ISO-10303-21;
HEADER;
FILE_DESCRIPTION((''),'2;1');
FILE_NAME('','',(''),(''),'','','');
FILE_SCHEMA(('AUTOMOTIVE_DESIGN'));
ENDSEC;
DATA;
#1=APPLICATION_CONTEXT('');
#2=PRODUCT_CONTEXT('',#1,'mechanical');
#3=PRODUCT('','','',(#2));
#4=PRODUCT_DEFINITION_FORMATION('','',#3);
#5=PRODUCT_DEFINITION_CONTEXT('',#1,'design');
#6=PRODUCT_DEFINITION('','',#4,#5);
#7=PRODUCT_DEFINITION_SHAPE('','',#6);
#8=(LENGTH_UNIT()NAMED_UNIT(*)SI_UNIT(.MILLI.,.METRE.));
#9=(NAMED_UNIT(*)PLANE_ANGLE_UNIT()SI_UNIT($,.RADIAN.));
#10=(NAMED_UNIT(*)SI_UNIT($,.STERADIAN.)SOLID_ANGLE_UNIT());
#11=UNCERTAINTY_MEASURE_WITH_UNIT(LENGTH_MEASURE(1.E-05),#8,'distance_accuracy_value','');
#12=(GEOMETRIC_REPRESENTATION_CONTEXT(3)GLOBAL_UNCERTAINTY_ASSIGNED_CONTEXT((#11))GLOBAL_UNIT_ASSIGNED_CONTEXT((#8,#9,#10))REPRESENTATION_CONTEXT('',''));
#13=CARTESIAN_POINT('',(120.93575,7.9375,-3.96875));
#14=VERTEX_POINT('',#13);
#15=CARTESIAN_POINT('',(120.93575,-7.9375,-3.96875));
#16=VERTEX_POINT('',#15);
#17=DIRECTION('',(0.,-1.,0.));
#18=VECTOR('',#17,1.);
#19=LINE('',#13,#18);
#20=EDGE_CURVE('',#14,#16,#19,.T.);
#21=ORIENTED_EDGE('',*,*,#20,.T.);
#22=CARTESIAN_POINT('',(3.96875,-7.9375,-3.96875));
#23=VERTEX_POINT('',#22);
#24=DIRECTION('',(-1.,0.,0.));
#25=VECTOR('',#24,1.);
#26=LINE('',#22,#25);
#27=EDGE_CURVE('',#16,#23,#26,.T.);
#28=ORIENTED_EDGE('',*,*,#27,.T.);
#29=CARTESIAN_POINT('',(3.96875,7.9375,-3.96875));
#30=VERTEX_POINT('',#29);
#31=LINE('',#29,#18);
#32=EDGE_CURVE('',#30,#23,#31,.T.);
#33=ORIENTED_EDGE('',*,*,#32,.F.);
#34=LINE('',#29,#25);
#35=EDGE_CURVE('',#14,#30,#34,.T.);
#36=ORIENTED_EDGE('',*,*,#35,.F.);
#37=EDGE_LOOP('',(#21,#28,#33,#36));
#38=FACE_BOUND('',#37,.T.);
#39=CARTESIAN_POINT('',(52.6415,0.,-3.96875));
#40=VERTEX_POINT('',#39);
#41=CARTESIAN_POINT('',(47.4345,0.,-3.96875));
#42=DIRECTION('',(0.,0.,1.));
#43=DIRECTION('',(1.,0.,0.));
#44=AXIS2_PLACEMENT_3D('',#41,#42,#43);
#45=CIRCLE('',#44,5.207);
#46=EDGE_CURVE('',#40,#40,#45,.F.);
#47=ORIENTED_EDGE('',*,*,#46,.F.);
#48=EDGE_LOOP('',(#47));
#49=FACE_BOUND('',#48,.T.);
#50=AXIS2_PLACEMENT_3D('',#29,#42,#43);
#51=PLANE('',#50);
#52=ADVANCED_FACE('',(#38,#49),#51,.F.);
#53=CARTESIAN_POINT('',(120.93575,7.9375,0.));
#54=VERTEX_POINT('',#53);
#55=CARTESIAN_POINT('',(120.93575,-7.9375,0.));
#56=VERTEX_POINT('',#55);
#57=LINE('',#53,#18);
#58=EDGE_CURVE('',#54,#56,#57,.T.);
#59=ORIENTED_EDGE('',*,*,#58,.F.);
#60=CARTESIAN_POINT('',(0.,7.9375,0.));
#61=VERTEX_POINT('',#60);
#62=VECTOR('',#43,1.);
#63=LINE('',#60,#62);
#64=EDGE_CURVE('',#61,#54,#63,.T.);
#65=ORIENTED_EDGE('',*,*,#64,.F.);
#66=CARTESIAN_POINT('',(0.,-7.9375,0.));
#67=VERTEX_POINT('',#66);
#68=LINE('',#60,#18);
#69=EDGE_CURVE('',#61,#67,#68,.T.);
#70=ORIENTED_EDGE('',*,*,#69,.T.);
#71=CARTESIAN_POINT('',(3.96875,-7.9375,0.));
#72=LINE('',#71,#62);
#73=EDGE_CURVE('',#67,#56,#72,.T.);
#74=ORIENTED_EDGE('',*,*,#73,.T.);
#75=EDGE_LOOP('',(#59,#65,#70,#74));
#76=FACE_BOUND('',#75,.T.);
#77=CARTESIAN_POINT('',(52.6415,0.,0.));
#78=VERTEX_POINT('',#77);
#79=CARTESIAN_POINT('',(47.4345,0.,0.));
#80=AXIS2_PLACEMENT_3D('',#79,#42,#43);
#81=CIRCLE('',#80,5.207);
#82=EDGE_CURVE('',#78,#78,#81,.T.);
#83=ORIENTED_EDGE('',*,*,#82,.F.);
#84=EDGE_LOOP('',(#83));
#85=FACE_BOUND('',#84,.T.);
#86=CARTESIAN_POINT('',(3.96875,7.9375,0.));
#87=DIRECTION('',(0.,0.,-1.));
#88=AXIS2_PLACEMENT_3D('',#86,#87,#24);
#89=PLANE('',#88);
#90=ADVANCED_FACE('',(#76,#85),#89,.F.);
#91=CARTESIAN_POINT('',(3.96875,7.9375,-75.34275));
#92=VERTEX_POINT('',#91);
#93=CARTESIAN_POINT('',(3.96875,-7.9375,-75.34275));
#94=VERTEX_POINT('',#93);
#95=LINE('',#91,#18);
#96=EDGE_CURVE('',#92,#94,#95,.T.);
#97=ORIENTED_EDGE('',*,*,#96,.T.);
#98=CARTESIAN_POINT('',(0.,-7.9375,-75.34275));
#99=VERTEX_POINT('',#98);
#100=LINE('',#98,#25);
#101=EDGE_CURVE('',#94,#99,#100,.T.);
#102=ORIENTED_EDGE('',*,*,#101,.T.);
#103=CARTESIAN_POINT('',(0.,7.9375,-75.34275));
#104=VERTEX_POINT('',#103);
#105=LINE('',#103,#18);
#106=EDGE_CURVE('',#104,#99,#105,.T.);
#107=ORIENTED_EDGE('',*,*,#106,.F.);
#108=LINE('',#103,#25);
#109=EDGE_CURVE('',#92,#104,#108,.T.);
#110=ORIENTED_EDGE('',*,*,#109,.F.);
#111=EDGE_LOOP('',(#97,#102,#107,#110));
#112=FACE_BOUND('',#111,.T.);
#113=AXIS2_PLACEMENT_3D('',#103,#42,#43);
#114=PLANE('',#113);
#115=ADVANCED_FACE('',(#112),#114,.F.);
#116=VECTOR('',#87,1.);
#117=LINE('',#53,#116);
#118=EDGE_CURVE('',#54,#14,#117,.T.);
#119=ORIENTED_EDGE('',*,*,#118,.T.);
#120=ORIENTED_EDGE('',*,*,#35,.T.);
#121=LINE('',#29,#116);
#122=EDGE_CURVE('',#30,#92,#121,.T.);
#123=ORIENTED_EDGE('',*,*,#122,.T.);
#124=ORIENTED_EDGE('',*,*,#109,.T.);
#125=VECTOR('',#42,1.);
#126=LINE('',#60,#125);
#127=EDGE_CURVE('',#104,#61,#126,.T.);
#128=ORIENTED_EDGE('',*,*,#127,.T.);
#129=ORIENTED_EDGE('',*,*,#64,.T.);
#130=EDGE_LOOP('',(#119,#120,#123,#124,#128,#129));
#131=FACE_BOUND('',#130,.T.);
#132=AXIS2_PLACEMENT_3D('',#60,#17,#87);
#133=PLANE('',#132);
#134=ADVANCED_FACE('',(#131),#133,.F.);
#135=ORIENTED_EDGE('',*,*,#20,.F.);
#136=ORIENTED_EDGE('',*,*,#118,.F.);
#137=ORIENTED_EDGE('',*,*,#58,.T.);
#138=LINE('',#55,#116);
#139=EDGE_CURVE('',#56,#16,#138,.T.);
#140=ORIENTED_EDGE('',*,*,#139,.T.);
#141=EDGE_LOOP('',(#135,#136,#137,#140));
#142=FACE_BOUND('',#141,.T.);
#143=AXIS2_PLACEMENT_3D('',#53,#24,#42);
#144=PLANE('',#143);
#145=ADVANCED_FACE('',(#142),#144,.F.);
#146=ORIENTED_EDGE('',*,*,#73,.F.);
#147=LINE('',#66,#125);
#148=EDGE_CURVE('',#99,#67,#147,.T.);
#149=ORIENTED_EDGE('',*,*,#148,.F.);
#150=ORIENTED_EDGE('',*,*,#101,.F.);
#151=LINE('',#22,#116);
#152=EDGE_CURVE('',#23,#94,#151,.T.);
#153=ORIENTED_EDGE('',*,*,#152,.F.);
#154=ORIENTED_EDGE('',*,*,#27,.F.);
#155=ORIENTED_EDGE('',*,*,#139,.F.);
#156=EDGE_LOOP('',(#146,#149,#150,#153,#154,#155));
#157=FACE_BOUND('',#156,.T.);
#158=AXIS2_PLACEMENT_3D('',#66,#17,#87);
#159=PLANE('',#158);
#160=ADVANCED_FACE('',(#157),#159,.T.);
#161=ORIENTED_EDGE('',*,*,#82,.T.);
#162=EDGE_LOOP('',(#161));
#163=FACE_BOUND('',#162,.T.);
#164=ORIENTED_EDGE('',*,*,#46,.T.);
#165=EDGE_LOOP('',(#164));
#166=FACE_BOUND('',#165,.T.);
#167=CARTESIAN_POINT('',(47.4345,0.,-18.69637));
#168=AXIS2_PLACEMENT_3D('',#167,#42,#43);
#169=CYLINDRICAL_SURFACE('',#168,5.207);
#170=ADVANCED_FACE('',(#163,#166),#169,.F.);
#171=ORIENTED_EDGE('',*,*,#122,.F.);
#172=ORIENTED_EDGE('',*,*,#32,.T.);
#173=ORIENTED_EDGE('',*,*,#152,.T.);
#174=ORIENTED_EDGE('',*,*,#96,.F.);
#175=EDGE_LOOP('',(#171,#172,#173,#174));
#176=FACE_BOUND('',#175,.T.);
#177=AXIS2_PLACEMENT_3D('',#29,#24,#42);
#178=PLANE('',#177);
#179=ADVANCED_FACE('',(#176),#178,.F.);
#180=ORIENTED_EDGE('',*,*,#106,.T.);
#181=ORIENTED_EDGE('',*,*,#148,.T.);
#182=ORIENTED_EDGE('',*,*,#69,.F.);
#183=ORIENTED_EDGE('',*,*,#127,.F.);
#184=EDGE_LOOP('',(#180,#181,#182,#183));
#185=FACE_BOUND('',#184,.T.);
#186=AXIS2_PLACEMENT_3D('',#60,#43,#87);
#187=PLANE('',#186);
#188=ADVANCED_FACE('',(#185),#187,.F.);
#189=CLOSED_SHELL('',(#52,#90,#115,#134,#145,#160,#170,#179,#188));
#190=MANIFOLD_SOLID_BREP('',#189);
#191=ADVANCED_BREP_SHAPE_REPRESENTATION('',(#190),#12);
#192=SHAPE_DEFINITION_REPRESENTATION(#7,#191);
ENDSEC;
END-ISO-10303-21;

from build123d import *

# Parameters (mm, degrees)
BOSS_EXTRUDE1_DEPTH = 7.9375
SKETCH2_R           = 5.207
CUT_EXTRUDE1_DEPTH  = 3.96875


with BuildPart() as part:
    # Sketch1 → Boss-Extrude1 (new, symmetric)
    with BuildSketch(Plane(origin=(0, 0, 0), x_dir=(1, 0, 0), z_dir=(0, 1, 0))):
        Polygon((0, 0), (3.96875, 0), (120.93575, 0), (120.93575, 3.96875), (3.96875, 3.96875), (3.96875, 75.34275), (0, 75.34275), align=None)
    extrude(amount=BOSS_EXTRUDE1_DEPTH, both=True)

    # Sketch2 → Cut-Extrude1 (cut)
    with BuildSketch(Plane.XY):
        with Locations((47.4345, 0)):
            Circle(SKETCH2_R)
    extrude(amount=-CUT_EXTRUDE1_DEPTH, mode=Mode.SUBTRACT)


solid = part.part
